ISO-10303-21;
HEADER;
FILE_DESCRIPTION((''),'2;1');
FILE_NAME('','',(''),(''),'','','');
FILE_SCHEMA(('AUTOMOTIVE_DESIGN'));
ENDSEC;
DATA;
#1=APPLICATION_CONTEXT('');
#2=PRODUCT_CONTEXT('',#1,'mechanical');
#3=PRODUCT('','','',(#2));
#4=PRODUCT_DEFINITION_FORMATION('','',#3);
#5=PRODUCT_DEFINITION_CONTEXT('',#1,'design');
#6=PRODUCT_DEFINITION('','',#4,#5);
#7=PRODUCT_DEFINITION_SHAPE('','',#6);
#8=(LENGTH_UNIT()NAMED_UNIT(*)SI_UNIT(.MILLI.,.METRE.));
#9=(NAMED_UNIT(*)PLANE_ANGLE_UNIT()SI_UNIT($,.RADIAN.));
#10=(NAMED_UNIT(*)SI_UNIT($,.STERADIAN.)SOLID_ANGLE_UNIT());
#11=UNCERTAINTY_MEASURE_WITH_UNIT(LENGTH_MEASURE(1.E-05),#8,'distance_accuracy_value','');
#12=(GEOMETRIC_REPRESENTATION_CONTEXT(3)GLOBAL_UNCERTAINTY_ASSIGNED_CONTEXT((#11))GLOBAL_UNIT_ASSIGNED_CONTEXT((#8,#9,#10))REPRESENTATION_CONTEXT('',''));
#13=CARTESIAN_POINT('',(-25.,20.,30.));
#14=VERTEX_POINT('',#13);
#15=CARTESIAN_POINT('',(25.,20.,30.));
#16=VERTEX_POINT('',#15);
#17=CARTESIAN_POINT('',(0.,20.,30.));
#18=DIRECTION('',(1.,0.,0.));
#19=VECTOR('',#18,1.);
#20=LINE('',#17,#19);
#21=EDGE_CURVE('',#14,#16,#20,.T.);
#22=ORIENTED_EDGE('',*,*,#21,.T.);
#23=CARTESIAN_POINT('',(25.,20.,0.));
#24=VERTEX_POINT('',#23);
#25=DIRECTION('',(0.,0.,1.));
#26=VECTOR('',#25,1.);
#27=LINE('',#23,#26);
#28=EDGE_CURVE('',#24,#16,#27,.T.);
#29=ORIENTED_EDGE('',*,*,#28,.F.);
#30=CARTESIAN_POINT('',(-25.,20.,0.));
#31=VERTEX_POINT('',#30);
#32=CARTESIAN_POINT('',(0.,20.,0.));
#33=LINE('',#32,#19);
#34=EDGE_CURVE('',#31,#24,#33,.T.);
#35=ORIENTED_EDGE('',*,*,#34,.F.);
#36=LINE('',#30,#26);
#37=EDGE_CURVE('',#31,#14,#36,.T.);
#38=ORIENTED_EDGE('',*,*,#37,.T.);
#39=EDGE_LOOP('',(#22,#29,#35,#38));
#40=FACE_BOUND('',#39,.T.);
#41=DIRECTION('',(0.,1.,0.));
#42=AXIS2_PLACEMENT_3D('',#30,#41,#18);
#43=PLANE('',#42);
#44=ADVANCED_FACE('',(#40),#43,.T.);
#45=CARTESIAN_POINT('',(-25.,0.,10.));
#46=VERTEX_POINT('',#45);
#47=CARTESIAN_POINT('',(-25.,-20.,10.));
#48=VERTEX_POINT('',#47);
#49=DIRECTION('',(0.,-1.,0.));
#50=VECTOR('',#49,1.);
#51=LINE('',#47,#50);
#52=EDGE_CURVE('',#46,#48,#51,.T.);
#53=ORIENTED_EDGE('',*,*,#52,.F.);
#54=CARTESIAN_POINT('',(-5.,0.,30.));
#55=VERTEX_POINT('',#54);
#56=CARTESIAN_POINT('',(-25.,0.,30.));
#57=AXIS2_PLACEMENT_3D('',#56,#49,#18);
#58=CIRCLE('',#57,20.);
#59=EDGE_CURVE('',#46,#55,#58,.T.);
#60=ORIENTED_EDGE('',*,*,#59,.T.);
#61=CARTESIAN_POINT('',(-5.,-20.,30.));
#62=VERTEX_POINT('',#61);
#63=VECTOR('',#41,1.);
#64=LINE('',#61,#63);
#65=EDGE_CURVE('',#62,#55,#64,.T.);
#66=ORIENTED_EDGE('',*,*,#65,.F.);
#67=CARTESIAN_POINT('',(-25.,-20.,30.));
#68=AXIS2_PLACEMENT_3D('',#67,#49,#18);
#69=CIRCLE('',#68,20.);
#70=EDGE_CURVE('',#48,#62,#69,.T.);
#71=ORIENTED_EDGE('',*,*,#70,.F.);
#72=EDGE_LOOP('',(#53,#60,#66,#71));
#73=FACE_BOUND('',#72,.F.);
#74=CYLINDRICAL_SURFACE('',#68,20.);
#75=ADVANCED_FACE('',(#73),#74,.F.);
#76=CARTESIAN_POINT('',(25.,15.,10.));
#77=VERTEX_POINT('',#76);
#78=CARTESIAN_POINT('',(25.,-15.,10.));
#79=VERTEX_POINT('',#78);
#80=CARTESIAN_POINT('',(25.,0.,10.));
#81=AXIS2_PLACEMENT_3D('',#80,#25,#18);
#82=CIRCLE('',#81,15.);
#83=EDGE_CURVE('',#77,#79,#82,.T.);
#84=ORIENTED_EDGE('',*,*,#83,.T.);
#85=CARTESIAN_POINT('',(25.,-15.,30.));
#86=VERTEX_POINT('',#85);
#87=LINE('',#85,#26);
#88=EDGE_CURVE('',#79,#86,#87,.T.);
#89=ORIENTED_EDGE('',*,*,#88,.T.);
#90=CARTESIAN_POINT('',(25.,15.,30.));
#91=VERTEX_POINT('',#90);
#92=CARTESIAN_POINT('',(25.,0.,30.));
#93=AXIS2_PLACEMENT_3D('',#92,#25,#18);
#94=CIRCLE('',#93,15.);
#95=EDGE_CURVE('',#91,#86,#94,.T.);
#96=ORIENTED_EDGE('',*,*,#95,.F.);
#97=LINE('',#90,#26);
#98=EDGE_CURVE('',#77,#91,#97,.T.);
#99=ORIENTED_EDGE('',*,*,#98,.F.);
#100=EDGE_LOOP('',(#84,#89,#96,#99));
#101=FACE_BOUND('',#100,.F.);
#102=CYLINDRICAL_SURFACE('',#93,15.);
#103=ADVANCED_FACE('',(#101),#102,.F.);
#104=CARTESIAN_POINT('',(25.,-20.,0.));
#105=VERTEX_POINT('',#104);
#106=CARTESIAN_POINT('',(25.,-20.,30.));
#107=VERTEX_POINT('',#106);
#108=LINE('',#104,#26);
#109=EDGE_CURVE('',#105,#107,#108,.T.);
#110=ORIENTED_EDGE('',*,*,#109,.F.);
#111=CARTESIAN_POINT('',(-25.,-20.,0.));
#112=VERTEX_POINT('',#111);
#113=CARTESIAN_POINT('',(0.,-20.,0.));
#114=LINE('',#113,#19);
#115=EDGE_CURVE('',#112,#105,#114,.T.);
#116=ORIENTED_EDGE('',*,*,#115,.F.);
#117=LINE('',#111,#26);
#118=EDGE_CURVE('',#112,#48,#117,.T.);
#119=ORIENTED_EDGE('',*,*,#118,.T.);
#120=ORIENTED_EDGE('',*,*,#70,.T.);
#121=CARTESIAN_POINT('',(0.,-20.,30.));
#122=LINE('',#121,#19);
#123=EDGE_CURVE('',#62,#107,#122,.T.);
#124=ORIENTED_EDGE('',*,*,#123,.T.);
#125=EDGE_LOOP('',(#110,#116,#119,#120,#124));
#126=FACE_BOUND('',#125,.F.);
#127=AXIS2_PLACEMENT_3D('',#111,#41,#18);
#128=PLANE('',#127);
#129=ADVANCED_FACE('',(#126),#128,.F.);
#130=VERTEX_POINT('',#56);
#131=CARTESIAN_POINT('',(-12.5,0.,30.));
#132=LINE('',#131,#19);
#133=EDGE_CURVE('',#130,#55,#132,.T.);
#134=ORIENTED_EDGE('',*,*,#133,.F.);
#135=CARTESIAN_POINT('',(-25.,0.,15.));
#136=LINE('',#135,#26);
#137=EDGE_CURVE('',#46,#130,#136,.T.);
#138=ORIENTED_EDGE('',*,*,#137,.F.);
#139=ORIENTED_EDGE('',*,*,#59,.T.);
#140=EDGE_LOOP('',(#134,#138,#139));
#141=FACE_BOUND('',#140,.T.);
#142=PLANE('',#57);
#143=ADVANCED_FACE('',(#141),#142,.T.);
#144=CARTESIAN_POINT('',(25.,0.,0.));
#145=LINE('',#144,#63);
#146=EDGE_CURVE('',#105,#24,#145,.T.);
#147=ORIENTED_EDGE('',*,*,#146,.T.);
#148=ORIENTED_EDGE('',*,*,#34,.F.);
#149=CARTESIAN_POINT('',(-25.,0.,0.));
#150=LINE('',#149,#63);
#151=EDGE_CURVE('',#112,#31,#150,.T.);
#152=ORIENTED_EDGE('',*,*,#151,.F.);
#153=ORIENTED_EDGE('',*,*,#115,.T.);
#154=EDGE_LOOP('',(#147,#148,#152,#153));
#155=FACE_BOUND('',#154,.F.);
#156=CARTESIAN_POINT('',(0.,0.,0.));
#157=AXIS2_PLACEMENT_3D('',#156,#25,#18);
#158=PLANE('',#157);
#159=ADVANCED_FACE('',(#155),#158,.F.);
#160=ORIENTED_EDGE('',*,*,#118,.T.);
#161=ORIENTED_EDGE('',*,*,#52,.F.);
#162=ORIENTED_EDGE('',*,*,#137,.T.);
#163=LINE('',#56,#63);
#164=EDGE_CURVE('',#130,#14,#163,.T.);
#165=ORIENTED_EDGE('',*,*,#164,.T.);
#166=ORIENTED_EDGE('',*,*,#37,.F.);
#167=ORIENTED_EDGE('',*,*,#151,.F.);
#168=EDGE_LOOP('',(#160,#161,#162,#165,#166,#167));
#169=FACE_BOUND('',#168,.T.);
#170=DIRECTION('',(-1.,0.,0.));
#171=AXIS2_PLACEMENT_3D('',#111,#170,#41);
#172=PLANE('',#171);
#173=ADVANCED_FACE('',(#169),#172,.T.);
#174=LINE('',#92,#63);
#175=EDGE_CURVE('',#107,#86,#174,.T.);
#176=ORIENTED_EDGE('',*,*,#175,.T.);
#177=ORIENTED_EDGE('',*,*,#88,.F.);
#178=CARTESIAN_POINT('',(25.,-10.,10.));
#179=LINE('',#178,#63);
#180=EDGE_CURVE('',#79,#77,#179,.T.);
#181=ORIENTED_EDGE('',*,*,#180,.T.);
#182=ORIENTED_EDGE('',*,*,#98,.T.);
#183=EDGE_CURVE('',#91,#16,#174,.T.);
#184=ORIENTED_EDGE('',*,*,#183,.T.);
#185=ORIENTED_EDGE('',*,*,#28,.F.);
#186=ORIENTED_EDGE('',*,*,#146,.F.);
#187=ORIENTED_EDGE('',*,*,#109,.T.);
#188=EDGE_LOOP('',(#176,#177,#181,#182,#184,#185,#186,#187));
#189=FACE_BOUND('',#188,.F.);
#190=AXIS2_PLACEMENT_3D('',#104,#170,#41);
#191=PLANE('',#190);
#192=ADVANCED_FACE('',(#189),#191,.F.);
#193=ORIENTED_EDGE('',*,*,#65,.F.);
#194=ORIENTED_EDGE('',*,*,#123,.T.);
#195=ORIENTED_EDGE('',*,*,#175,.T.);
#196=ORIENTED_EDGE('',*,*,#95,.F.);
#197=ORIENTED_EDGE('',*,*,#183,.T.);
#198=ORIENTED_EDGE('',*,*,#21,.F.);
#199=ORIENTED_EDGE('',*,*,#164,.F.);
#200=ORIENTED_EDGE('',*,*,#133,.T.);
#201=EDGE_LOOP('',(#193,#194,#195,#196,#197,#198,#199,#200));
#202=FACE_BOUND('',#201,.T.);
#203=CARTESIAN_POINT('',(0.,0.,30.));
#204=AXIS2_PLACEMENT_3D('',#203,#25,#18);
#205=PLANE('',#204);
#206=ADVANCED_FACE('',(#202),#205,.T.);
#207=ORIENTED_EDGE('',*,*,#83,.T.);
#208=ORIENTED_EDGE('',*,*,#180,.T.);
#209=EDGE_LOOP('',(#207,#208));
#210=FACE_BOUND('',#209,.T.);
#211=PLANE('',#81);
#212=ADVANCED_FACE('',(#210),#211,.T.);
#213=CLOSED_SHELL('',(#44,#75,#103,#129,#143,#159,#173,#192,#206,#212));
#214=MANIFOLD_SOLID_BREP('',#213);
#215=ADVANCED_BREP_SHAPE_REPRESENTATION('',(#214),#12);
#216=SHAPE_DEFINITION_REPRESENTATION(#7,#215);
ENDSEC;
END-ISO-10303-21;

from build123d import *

# Parameters (mm, degrees)
F0_W     = 50
F0_H     = 40
F1_DEPTH = 30
F2_R     = 20
F3_DEPTH = 20
F4_R     = 15
F5_DEPTH = 20


with BuildPart() as f1:
    # F0 (on Top) → F1 (new body)
    with BuildSketch(Plane.XY):
        Rectangle(F0_W, F0_H)
    extrude(amount=F1_DEPTH)

    # F2 (on face) → F3 (cut)
    with BuildSketch(Plane.XZ.offset(20)):
        with Locations((-25, 30)):
            Circle(F2_R)
    extrude(amount=-F3_DEPTH, mode=Mode.SUBTRACT)

    # F4 (on face) → F5 (cut)
    with BuildSketch(Plane.XY.offset(30)):
        with Locations((25, 0)):
            Circle(F4_R)
    extrude(amount=-F5_DEPTH, mode=Mode.SUBTRACT)


solid = f1.part
